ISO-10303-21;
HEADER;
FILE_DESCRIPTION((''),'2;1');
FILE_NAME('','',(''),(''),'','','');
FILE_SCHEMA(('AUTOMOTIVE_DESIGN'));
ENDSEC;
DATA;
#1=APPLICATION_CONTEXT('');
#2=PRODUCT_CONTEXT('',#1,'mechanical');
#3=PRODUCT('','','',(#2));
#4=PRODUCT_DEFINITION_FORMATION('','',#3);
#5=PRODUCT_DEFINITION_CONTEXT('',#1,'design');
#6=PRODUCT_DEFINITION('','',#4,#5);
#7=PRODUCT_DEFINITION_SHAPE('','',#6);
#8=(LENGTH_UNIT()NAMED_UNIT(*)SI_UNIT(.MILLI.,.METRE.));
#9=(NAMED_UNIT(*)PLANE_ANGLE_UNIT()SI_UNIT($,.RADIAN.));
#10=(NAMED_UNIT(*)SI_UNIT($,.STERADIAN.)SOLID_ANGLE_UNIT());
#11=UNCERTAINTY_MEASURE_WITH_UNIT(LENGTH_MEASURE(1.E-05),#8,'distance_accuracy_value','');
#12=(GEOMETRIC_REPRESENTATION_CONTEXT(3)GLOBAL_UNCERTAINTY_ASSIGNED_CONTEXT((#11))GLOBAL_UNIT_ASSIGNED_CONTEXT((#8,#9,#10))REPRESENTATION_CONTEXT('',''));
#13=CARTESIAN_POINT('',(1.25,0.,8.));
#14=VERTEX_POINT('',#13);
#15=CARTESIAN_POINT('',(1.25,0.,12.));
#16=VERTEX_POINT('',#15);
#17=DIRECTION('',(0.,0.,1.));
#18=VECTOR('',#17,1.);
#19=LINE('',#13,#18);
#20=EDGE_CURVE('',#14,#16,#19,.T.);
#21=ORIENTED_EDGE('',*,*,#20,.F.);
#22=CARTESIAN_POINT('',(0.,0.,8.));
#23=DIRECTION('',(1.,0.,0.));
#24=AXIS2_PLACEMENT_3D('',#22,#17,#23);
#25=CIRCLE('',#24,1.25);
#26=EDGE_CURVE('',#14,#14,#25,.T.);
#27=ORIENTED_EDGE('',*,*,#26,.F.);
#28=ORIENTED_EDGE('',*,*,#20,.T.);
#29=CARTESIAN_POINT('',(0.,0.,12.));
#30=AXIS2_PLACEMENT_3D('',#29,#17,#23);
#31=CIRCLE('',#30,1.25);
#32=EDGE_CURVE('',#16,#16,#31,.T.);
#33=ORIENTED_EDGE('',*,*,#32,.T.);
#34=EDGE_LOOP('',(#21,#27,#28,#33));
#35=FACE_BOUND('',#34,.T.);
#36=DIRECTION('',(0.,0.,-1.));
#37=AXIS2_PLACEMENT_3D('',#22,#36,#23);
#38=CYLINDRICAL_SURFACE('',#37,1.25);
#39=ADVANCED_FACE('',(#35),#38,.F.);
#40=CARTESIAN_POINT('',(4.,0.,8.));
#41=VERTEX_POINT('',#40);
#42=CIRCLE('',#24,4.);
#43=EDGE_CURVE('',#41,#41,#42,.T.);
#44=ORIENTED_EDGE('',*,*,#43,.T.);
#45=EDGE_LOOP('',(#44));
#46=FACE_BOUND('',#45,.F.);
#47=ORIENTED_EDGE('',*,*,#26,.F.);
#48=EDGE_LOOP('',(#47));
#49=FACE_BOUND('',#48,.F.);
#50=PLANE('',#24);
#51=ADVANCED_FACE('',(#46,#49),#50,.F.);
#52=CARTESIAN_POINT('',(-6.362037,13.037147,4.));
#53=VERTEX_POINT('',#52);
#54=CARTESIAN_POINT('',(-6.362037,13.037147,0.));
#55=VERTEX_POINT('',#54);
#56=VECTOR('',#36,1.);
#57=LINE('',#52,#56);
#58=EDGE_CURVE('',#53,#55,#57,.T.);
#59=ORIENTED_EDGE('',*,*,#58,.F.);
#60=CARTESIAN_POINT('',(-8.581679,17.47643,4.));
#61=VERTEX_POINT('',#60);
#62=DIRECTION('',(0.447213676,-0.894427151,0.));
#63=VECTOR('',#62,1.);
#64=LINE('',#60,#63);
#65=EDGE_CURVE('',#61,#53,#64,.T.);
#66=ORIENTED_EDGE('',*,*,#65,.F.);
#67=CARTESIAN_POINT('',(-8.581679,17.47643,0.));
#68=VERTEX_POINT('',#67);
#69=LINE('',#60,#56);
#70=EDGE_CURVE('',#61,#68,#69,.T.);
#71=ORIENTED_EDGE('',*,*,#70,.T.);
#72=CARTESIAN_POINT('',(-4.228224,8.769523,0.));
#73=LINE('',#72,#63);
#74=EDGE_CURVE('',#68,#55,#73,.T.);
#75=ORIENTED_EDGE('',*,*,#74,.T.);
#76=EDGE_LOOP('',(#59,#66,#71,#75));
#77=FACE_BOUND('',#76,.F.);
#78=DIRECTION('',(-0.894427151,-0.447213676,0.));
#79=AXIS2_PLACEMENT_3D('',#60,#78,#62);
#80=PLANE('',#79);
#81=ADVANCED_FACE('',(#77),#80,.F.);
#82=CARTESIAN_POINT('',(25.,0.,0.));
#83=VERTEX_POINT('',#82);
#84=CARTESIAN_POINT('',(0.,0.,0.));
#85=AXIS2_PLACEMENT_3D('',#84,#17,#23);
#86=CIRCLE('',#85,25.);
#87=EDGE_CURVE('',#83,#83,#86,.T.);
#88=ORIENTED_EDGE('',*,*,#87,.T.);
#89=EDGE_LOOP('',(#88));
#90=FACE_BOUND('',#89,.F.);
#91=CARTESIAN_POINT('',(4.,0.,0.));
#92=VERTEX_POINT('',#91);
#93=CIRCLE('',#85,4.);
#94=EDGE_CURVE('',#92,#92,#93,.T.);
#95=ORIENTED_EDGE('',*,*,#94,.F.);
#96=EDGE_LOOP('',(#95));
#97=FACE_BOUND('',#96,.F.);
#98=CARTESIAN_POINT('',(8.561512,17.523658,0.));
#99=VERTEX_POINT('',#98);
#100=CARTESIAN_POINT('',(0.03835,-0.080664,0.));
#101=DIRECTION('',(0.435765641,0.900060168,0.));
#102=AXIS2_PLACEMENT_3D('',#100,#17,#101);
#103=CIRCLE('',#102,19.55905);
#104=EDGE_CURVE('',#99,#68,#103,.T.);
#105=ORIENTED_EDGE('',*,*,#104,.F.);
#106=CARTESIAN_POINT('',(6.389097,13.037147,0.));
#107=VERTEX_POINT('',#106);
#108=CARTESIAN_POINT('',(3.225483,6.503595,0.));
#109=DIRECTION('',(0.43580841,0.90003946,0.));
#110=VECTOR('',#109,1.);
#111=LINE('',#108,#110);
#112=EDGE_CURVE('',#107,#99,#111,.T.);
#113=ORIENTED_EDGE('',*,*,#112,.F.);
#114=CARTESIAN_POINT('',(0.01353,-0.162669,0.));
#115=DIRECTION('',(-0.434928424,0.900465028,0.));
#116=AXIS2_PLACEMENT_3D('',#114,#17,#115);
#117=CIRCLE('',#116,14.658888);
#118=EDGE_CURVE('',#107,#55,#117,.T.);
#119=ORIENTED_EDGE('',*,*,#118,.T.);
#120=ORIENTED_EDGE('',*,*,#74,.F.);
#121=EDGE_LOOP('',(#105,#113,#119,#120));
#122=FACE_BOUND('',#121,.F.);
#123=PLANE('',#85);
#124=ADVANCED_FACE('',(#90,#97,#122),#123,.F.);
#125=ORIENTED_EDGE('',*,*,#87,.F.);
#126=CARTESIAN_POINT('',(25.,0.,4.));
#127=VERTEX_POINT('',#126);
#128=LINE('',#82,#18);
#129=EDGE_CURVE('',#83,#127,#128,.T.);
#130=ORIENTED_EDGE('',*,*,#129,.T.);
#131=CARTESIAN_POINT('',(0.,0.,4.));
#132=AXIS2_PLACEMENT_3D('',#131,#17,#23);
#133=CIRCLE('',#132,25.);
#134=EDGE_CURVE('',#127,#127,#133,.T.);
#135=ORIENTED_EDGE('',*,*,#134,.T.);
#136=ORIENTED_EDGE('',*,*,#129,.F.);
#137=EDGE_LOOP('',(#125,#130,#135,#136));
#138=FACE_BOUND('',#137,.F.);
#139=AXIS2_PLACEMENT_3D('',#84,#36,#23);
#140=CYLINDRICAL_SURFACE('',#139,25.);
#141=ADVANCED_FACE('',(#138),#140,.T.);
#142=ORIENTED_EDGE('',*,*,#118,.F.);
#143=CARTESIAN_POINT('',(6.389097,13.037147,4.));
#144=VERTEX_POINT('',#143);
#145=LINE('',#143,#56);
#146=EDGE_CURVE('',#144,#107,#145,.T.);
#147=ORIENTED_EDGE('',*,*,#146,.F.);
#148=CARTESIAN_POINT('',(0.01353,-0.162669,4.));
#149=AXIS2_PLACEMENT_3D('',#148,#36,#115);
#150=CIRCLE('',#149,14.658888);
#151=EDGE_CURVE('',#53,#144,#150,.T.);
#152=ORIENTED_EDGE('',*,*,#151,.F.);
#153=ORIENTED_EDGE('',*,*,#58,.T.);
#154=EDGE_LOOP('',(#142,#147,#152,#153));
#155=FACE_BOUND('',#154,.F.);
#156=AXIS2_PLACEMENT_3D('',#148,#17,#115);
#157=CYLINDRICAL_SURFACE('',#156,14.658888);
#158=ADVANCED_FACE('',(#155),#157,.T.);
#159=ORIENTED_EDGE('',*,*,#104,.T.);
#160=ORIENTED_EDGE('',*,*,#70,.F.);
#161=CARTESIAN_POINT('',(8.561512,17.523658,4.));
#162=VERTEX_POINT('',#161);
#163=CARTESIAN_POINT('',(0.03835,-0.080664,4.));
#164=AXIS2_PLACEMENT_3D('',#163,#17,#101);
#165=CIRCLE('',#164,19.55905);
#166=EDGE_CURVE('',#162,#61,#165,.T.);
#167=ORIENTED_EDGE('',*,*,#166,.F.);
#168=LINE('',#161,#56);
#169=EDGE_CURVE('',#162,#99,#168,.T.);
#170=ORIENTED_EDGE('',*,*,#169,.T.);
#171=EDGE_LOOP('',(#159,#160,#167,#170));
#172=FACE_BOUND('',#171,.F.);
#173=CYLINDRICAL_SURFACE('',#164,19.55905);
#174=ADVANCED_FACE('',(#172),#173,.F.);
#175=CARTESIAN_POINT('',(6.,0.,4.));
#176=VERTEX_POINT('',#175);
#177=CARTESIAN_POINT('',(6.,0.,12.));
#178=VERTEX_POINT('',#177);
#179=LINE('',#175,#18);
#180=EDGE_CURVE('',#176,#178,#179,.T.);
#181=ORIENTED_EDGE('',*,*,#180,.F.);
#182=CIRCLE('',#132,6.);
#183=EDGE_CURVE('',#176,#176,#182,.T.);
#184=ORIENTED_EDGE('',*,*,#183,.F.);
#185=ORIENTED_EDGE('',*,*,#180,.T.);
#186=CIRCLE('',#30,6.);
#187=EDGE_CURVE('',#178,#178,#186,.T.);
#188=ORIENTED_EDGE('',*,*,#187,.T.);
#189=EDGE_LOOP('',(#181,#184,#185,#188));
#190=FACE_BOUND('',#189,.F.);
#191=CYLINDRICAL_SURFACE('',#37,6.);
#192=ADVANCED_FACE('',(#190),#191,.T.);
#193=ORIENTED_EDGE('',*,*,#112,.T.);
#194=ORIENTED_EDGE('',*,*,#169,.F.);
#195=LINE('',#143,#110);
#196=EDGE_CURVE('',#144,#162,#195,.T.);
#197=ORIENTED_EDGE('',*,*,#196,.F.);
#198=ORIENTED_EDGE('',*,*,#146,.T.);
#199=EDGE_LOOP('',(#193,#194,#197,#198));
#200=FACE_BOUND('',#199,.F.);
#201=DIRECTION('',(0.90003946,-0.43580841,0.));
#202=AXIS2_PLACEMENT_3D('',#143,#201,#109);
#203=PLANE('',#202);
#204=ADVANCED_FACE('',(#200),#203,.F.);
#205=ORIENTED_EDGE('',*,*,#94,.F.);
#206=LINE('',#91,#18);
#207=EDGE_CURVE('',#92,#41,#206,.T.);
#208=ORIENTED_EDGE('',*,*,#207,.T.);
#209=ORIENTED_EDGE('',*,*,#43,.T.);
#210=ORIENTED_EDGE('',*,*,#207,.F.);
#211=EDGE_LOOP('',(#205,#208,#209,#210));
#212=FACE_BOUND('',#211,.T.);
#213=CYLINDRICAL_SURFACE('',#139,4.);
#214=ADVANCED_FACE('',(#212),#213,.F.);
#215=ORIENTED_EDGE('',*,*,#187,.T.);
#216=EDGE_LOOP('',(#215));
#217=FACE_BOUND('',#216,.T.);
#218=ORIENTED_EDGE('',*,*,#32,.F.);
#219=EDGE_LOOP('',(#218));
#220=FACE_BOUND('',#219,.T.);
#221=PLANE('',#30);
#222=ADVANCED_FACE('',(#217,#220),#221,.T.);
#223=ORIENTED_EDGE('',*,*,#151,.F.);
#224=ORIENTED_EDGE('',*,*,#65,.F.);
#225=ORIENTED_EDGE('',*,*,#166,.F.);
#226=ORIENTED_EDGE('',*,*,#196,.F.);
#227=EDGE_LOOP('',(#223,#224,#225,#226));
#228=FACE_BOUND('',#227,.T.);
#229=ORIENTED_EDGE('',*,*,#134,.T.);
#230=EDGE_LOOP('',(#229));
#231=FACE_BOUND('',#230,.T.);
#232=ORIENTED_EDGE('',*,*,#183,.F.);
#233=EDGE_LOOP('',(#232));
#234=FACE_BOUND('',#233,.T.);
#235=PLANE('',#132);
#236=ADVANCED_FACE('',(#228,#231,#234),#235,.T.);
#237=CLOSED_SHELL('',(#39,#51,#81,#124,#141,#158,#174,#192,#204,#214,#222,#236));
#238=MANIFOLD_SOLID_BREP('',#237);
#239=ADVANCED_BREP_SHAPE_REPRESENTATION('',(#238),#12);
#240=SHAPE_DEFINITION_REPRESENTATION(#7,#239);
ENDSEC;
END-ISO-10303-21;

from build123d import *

# Parameters (mm, degrees)
F0_R     = 25
F0_R_2   = 6
F1_DEPTH = 4
F0_R_3   = 4
F2_DEPTH = 8
F5_DEPTH = 25
F6_R     = 6
F6_R_2   = 1.25
F7_DEPTH = 4


with BuildPart() as f1:
    # F0 (on Top) → F1 (new body)
    with BuildSketch(Plane.XY):
        Circle(F0_R)
        Circle(F0_R_2, mode=Mode.SUBTRACT)
    extrude(amount=F1_DEPTH)

    # F0 (on Top) → F2 (join)
    with BuildSketch(Plane.XY):
        Circle(F0_R_2)
        Circle(F0_R_3, mode=Mode.SUBTRACT)
    extrude(amount=F2_DEPTH)

    # F4 (on face) → F5 (cut)
    with BuildSketch(Plane.XY.offset(4)):
        with BuildLine():
            ThreePointArc((8.561512, 17.523658), (-0.015533, 19.478312), (-8.581679, 17.47643))
            Line((-8.581679, 17.47643), (-6.362037, 13.037147))
            ThreePointArc((-6.362037, 13.037147), (0.01353, 14.496219), (6.389097, 13.037147))
            Line((6.389097, 13.037147), (8.561512, 17.523658))
        make_face()
    extrude(amount=-F5_DEPTH, mode=Mode.SUBTRACT)

    # F6 (on face) → F7 (join)
    with BuildSketch(Plane.XY.offset(8)):
        Circle(F6_R)
        Circle(F6_R_2, mode=Mode.SUBTRACT)
    extrude(amount=F7_DEPTH)


solid = f1.part
